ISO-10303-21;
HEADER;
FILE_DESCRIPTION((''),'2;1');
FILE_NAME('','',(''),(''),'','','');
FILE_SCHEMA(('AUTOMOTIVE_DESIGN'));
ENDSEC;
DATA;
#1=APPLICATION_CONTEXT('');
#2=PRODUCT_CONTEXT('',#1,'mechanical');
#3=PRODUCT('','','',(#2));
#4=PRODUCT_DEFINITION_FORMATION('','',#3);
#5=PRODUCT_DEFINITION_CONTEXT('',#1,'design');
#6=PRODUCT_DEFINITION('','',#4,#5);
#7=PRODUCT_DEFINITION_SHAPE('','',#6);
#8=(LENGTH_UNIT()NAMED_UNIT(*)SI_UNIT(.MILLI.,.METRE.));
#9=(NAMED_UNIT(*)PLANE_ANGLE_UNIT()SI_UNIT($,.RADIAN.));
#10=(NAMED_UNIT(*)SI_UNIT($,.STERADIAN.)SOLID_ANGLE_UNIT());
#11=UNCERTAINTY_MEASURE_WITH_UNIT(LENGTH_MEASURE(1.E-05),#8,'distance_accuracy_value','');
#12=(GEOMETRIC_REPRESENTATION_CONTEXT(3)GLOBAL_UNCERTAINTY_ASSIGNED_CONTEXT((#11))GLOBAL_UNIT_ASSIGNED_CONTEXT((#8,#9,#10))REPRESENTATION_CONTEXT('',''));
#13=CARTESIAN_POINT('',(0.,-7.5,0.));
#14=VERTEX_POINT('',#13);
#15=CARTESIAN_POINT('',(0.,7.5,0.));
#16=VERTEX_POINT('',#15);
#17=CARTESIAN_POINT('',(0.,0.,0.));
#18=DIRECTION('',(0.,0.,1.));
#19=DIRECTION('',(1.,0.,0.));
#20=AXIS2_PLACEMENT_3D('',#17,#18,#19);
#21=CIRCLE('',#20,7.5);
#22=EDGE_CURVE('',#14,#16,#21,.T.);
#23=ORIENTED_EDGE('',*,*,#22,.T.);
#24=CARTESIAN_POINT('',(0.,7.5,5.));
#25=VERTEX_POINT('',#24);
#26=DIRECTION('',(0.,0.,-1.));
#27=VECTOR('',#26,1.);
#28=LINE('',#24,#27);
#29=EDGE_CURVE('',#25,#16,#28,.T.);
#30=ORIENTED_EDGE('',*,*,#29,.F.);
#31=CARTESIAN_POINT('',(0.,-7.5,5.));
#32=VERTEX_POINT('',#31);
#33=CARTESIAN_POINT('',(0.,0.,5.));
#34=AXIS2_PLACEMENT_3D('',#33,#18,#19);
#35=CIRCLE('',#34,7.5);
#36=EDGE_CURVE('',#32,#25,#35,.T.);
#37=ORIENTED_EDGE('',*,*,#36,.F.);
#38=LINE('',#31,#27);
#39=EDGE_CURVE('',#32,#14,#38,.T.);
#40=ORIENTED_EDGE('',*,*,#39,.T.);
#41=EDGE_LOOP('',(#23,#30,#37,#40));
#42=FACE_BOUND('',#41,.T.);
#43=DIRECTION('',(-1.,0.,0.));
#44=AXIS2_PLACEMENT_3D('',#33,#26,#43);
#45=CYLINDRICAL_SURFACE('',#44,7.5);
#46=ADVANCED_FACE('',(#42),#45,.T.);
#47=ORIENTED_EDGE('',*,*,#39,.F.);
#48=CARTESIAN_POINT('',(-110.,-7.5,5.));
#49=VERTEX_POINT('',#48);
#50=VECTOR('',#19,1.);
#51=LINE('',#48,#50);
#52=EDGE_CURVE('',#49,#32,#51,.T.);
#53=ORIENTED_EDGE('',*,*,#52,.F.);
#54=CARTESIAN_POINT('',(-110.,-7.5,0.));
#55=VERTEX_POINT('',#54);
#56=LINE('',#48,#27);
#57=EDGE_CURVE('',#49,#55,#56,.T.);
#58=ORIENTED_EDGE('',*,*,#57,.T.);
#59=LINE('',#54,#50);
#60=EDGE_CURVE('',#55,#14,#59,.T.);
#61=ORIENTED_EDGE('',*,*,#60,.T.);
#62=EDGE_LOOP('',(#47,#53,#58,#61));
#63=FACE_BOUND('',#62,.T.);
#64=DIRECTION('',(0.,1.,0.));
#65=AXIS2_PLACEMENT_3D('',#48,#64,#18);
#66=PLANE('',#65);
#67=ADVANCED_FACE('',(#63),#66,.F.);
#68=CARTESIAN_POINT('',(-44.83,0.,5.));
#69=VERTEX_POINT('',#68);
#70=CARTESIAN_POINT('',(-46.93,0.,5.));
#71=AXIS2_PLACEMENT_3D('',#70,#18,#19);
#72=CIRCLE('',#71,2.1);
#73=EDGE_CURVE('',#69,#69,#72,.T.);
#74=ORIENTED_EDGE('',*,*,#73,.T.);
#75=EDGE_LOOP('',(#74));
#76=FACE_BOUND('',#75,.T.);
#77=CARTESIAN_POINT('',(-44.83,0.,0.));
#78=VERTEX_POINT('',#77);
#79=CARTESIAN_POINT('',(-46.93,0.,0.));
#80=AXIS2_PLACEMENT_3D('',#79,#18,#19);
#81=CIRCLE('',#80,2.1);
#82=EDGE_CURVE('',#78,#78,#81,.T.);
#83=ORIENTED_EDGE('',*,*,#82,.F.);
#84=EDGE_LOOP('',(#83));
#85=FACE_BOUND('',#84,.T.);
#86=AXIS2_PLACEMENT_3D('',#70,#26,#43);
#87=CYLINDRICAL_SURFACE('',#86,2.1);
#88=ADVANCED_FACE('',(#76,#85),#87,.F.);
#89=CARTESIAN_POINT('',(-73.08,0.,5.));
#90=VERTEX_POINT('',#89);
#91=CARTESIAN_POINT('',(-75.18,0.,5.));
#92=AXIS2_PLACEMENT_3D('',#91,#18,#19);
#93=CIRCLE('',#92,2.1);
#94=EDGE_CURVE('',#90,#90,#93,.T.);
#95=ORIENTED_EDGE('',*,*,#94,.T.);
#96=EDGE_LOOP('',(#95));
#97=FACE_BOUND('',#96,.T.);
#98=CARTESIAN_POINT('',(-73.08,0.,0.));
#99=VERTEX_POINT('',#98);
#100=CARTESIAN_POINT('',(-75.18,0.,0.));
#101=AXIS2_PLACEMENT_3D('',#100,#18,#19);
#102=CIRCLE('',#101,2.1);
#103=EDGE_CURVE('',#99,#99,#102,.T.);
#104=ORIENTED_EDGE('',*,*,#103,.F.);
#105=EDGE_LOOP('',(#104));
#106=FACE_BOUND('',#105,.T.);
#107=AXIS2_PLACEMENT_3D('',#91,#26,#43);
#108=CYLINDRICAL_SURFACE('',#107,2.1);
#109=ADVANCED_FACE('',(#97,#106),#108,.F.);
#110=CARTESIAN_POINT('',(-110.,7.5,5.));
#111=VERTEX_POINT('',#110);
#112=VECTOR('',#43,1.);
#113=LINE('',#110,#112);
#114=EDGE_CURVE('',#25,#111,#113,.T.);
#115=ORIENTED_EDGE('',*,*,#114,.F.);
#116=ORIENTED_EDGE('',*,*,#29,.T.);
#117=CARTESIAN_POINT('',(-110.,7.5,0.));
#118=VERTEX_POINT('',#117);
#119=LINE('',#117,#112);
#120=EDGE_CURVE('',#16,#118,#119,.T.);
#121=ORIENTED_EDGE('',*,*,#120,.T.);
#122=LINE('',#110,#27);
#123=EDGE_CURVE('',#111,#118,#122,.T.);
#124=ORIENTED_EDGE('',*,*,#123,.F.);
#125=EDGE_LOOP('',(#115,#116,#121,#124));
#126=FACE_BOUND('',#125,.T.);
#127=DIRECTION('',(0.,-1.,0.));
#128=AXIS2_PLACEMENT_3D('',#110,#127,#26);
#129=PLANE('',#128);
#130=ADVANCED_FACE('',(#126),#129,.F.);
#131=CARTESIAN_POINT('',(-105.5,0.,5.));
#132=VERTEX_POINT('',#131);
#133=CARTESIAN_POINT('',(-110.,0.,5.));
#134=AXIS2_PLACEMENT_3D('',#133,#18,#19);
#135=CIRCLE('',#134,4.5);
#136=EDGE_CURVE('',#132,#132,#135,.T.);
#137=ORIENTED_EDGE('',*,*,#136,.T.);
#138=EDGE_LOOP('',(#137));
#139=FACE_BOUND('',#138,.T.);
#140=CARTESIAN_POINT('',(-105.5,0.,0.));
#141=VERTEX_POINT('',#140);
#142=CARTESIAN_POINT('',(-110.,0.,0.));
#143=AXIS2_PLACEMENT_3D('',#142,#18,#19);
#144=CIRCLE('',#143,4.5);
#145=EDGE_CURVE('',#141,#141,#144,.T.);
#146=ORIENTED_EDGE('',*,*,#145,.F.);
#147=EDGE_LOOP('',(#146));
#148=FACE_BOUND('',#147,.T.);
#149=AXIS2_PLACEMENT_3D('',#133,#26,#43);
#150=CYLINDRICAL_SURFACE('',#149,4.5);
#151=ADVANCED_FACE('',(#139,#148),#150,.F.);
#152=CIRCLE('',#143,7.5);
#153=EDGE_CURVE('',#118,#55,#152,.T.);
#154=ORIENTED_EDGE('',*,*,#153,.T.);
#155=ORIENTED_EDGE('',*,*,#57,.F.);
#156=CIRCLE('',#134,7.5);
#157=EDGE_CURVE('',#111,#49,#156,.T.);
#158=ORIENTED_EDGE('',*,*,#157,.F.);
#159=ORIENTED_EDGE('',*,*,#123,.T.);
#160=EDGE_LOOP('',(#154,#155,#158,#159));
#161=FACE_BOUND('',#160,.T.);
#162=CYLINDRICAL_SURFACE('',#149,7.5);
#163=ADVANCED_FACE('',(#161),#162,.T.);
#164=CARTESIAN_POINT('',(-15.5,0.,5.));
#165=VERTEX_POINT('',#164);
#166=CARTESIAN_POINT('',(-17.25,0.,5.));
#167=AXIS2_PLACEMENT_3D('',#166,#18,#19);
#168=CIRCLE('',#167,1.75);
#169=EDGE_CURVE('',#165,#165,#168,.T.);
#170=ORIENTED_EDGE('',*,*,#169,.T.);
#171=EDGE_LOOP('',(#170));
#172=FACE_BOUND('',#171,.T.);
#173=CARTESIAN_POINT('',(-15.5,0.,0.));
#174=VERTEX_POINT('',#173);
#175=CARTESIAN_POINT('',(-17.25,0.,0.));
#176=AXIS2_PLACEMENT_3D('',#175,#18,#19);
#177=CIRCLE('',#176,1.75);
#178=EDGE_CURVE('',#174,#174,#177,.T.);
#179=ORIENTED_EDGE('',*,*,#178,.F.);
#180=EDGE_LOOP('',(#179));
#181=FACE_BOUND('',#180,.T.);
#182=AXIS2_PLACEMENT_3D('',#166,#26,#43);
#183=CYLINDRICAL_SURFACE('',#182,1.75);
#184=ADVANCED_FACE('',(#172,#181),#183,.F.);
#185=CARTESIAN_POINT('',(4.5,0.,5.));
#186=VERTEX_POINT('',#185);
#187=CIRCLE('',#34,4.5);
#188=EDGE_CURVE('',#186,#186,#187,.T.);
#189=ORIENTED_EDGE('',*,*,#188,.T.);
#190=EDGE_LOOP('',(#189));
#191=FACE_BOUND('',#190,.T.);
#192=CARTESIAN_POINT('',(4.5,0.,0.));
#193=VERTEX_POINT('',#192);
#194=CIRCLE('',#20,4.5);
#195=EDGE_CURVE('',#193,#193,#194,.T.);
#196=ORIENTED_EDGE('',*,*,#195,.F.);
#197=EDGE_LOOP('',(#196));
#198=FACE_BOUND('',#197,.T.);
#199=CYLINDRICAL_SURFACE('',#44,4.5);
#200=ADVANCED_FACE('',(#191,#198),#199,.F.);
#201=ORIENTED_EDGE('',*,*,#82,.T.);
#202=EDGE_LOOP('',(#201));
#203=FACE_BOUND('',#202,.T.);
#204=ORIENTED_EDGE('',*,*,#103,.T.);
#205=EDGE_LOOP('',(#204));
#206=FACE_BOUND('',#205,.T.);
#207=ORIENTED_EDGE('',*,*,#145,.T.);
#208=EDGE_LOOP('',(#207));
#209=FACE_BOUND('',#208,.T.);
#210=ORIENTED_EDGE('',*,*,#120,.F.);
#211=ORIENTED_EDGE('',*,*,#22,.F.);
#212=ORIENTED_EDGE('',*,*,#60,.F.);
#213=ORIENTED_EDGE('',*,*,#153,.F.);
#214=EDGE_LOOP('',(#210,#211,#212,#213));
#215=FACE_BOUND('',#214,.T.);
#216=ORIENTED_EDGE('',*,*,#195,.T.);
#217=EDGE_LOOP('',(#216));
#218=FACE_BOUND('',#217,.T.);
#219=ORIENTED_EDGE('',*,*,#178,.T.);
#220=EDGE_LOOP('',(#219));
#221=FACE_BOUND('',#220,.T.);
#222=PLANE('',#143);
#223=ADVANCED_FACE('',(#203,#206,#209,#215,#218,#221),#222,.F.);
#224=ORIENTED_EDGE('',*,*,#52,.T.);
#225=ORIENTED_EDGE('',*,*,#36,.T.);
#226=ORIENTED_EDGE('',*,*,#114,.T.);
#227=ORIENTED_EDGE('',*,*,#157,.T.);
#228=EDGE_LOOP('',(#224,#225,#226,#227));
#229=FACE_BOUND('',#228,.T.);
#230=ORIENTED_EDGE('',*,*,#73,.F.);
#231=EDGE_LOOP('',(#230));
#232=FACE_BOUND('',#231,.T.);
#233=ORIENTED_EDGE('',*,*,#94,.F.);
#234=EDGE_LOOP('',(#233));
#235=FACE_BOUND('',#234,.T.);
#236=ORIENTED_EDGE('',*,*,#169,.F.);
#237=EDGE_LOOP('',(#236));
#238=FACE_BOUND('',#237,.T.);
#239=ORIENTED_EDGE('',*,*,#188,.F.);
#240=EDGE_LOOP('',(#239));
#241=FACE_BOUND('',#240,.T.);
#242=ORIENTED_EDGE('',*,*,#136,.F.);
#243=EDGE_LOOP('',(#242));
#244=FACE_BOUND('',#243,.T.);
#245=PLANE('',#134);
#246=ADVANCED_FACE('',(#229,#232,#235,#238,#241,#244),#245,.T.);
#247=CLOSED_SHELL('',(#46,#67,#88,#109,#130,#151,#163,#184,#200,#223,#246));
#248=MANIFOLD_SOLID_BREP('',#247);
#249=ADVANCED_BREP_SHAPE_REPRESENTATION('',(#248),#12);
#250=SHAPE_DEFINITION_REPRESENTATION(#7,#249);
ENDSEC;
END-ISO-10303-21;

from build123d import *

# Parameters (mm, degrees)
ESQUISSE1_R        = 4.5
ESQUISSE1_R_2      = 2.1
ESQUISSE1_R_3      = 1.75
BOSS_EXTRU_1_DEPTH = 5


with BuildPart() as part:
    # Esquisse1 → Boss.-Extru.1 (new body)
    with BuildSketch(Plane.XY):
        with BuildLine():
            Line((-110, 7.5), (0, 7.5))
            ThreePointArc((0, 7.5), (7.5, 0), (0, -7.5))
            Line((0, -7.5), (-110, -7.5))
            ThreePointArc((-110, -7.5), (-117.5, 0), (-110, 7.5))
        make_face()
        Circle(ESQUISSE1_R, mode=Mode.SUBTRACT)
        with Locations((-110, 0)):
            Circle(ESQUISSE1_R, mode=Mode.SUBTRACT)
        with Locations((-75.18, 0)):
            Circle(ESQUISSE1_R_2, mode=Mode.SUBTRACT)
        with Locations((-46.93, 0)):
            Circle(ESQUISSE1_R_2, mode=Mode.SUBTRACT)
        with Locations((-17.25, 0)):
            Circle(ESQUISSE1_R_3, mode=Mode.SUBTRACT)
    extrude(amount=BOSS_EXTRU_1_DEPTH)


solid = part.part
